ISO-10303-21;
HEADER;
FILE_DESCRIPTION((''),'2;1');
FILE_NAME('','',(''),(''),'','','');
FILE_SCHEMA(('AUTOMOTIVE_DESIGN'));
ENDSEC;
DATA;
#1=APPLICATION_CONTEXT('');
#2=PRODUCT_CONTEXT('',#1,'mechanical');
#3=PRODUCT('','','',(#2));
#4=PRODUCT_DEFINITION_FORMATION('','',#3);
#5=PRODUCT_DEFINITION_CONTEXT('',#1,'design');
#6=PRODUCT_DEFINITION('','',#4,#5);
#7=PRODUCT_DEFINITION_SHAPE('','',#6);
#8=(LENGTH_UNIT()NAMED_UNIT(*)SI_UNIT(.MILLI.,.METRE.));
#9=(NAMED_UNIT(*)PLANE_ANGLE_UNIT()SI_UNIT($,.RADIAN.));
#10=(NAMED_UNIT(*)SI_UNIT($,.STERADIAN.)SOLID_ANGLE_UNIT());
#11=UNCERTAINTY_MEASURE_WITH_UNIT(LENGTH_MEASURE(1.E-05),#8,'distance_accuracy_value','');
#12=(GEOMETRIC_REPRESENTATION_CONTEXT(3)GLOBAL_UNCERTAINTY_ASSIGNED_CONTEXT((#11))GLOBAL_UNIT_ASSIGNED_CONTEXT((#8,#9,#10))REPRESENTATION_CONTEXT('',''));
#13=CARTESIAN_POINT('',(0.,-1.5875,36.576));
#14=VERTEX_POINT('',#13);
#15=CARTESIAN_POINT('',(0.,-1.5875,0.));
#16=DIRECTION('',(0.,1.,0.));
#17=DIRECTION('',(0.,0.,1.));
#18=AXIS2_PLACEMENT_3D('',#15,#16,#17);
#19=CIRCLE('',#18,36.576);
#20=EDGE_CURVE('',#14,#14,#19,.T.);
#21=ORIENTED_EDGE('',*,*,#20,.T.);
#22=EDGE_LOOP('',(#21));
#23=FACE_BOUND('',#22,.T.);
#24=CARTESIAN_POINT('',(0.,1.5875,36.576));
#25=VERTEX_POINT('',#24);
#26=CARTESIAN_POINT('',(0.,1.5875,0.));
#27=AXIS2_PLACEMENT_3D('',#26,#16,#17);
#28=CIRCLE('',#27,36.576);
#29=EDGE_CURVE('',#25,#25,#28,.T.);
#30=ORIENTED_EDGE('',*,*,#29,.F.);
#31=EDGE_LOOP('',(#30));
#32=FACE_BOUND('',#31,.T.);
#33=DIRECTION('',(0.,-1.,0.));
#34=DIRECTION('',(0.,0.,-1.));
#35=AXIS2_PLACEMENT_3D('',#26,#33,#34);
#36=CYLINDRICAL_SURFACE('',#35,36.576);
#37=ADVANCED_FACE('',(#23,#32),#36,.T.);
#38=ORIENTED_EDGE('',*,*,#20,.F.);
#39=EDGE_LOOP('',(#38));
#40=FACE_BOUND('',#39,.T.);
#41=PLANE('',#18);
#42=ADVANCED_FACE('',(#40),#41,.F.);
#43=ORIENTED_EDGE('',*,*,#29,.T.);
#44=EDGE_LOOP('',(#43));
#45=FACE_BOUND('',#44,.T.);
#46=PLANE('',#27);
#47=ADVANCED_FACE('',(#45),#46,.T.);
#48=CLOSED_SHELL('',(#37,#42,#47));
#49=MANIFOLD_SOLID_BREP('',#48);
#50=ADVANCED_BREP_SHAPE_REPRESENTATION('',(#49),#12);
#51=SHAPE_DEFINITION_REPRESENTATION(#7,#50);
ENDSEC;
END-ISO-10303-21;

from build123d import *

# Parameters (mm, degrees)
SKETCH1_R           = 36.576
BOSS_EXTRUDE1_DEPTH = 1.5875


with BuildPart() as part:
    # Sketch1 → Boss-Extrude1 (new body, symmetric)
    with BuildSketch(Plane(origin=(0, 0, 0), x_dir=(1, 0, 0), z_dir=(0, 1, 0))):
        Circle(SKETCH1_R)
    extrude(amount=BOSS_EXTRUDE1_DEPTH, both=True)


solid = part.part
